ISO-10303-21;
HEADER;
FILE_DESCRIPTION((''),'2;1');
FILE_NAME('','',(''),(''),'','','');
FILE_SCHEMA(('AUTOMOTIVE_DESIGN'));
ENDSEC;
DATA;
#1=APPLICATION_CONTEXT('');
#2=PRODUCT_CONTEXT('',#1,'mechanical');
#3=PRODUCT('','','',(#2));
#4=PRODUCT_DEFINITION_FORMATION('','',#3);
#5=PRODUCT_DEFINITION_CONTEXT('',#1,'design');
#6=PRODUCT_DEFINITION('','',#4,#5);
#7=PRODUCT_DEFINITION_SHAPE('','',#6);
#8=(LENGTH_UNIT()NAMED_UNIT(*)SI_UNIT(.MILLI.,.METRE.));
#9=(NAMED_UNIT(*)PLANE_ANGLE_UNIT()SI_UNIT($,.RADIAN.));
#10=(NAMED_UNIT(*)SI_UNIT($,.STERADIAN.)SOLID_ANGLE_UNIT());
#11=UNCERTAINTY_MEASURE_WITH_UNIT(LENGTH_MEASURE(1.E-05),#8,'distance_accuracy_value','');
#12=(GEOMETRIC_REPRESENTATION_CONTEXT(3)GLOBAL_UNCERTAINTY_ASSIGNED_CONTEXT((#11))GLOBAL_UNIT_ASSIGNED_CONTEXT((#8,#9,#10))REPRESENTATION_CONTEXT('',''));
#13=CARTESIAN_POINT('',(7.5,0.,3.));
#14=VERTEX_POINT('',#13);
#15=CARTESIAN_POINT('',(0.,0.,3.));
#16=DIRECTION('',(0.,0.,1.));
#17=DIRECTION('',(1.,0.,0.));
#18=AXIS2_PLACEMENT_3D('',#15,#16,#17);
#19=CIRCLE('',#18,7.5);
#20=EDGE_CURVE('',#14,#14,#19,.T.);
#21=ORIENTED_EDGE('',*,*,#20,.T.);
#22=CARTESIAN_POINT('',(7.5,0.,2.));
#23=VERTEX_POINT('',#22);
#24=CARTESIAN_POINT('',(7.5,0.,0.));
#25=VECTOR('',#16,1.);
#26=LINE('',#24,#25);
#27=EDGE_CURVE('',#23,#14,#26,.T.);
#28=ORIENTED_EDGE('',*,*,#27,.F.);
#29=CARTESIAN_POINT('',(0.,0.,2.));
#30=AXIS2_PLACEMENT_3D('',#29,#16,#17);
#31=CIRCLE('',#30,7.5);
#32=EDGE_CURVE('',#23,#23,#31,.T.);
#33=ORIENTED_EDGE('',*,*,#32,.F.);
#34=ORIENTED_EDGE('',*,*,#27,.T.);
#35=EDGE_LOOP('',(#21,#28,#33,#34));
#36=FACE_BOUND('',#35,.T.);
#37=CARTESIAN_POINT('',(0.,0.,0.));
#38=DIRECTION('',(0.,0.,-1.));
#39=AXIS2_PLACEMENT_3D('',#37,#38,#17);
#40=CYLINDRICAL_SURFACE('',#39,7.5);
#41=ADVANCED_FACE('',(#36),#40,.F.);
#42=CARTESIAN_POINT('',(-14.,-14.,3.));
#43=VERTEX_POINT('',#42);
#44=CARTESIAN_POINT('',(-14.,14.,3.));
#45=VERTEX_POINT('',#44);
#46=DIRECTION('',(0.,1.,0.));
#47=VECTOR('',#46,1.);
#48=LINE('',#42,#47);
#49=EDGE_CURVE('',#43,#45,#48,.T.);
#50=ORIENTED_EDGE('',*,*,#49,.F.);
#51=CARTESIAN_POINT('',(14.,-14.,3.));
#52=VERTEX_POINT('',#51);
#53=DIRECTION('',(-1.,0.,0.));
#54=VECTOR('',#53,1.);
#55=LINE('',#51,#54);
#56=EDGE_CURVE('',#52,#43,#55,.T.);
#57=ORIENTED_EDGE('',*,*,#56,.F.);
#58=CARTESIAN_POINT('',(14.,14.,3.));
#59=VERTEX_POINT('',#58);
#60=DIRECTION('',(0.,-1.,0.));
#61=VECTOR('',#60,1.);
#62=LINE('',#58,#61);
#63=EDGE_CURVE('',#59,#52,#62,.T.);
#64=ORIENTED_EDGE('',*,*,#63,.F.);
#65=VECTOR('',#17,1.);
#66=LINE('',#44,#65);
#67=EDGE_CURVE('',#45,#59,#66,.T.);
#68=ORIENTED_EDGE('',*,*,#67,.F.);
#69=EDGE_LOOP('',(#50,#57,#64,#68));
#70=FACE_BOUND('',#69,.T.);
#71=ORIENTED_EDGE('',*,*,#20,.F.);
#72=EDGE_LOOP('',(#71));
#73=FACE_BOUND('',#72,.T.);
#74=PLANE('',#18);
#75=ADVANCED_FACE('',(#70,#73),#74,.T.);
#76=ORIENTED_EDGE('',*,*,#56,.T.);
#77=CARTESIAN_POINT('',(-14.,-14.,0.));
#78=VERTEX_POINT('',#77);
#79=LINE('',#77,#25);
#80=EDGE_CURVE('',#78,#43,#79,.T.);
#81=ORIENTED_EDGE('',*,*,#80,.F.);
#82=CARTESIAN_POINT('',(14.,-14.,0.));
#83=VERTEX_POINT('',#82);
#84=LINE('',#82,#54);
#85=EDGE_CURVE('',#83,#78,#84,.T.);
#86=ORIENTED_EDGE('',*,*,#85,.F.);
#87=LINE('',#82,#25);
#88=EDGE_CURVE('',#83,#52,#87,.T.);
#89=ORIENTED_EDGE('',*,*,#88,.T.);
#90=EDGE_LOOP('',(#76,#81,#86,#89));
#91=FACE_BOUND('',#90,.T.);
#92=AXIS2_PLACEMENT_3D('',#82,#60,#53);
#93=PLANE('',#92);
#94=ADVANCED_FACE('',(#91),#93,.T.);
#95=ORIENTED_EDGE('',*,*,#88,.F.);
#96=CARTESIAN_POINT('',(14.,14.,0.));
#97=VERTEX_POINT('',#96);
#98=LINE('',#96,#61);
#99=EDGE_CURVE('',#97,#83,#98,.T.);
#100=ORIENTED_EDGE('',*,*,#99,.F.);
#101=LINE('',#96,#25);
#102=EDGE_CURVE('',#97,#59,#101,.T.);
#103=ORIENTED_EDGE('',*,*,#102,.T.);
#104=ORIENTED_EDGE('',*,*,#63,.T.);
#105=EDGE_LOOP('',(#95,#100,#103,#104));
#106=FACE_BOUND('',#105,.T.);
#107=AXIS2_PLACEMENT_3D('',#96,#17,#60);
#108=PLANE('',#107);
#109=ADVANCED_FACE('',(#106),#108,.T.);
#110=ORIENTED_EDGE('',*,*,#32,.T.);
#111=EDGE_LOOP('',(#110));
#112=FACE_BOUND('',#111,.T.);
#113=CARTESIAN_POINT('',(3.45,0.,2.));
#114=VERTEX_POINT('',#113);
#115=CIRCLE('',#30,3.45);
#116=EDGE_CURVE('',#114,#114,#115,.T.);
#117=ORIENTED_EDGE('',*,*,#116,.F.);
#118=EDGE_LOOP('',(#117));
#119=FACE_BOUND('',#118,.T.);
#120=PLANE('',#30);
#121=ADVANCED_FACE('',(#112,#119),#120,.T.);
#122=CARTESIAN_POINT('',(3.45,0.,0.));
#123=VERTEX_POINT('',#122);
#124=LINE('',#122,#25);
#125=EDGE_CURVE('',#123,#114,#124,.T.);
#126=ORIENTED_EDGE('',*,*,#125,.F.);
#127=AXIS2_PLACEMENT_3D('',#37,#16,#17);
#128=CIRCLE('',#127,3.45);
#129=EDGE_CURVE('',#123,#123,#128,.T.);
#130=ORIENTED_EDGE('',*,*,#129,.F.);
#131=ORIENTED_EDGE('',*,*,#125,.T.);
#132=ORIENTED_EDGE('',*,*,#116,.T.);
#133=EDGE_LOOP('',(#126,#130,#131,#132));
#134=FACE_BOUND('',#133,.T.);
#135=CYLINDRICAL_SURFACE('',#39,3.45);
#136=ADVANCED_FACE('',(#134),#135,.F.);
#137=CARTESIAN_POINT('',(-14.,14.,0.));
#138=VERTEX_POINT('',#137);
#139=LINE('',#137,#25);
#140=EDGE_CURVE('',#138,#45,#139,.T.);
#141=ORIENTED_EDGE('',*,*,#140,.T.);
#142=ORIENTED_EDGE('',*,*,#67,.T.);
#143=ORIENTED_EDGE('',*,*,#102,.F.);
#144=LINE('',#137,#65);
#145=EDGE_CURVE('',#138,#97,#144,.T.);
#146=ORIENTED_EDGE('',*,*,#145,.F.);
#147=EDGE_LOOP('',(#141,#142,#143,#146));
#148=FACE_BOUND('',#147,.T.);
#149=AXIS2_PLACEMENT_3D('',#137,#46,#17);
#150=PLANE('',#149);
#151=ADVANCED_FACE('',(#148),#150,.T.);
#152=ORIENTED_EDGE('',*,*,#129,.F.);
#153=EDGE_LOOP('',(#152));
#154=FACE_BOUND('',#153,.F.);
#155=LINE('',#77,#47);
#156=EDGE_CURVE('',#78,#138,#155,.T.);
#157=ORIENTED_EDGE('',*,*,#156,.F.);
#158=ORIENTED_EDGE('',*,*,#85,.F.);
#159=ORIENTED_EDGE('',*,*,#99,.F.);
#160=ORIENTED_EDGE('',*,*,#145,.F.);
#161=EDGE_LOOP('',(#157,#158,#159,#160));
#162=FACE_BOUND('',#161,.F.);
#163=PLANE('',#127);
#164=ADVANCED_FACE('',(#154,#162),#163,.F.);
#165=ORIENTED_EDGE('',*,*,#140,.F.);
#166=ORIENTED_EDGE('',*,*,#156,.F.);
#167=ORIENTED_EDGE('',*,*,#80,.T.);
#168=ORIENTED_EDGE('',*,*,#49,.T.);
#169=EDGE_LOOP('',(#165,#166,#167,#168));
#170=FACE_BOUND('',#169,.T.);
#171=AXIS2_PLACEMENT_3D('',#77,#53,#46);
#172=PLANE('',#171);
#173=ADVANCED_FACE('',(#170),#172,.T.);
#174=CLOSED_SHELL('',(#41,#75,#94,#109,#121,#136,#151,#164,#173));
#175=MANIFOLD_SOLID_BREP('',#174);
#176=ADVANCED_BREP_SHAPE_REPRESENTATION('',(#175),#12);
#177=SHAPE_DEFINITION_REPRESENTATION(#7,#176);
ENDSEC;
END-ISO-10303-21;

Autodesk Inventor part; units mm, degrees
ref_plane "YZ Plane" through (0, 0, 0) normal (1, 0, 0) x (0, 1, 0)
ref_plane "XZ Plane" through (0, 0, 0) normal (0, 1, 0) x (-1, 0, 0)
ref_plane "XY Plane" through (0, 0, 0) normal (0, 0, 1) x (1, 0, 0)
sketch "スケッチ1" plane through (0, 0, 0) normal (0, 0, 1) x (1, 0, 0)
  circle A0 centre (0, 0) radius 3.45
  circle A1 centre (0, 0) radius 7.5
  line L0 (-14, 14) -> (14, 14)
  line L1 (14, 14) -> (14, -14)
  line L2 (14, -14) -> (-14, -14)
  line L3 (-14, -14) -> (-14, 14)
  line L4 (-14, 14) -> (14, -14) construction
  line L5 (14, 14) -> (-14, -14) construction
  dimension "d0" = 6.9
  dimension "d1" = 15
  dimension "d2" = 28
  dimension "d3" = 28
extrude "押し出し1" add sketch "スケッチ1" along normal blind 3 contours L0 L1 L2 L3
extrude "押し出し2" add sketch "スケッチ1" along normal blind 2 contours A1
equation "\"d3\" = d2"
properties part number "baicPart"
